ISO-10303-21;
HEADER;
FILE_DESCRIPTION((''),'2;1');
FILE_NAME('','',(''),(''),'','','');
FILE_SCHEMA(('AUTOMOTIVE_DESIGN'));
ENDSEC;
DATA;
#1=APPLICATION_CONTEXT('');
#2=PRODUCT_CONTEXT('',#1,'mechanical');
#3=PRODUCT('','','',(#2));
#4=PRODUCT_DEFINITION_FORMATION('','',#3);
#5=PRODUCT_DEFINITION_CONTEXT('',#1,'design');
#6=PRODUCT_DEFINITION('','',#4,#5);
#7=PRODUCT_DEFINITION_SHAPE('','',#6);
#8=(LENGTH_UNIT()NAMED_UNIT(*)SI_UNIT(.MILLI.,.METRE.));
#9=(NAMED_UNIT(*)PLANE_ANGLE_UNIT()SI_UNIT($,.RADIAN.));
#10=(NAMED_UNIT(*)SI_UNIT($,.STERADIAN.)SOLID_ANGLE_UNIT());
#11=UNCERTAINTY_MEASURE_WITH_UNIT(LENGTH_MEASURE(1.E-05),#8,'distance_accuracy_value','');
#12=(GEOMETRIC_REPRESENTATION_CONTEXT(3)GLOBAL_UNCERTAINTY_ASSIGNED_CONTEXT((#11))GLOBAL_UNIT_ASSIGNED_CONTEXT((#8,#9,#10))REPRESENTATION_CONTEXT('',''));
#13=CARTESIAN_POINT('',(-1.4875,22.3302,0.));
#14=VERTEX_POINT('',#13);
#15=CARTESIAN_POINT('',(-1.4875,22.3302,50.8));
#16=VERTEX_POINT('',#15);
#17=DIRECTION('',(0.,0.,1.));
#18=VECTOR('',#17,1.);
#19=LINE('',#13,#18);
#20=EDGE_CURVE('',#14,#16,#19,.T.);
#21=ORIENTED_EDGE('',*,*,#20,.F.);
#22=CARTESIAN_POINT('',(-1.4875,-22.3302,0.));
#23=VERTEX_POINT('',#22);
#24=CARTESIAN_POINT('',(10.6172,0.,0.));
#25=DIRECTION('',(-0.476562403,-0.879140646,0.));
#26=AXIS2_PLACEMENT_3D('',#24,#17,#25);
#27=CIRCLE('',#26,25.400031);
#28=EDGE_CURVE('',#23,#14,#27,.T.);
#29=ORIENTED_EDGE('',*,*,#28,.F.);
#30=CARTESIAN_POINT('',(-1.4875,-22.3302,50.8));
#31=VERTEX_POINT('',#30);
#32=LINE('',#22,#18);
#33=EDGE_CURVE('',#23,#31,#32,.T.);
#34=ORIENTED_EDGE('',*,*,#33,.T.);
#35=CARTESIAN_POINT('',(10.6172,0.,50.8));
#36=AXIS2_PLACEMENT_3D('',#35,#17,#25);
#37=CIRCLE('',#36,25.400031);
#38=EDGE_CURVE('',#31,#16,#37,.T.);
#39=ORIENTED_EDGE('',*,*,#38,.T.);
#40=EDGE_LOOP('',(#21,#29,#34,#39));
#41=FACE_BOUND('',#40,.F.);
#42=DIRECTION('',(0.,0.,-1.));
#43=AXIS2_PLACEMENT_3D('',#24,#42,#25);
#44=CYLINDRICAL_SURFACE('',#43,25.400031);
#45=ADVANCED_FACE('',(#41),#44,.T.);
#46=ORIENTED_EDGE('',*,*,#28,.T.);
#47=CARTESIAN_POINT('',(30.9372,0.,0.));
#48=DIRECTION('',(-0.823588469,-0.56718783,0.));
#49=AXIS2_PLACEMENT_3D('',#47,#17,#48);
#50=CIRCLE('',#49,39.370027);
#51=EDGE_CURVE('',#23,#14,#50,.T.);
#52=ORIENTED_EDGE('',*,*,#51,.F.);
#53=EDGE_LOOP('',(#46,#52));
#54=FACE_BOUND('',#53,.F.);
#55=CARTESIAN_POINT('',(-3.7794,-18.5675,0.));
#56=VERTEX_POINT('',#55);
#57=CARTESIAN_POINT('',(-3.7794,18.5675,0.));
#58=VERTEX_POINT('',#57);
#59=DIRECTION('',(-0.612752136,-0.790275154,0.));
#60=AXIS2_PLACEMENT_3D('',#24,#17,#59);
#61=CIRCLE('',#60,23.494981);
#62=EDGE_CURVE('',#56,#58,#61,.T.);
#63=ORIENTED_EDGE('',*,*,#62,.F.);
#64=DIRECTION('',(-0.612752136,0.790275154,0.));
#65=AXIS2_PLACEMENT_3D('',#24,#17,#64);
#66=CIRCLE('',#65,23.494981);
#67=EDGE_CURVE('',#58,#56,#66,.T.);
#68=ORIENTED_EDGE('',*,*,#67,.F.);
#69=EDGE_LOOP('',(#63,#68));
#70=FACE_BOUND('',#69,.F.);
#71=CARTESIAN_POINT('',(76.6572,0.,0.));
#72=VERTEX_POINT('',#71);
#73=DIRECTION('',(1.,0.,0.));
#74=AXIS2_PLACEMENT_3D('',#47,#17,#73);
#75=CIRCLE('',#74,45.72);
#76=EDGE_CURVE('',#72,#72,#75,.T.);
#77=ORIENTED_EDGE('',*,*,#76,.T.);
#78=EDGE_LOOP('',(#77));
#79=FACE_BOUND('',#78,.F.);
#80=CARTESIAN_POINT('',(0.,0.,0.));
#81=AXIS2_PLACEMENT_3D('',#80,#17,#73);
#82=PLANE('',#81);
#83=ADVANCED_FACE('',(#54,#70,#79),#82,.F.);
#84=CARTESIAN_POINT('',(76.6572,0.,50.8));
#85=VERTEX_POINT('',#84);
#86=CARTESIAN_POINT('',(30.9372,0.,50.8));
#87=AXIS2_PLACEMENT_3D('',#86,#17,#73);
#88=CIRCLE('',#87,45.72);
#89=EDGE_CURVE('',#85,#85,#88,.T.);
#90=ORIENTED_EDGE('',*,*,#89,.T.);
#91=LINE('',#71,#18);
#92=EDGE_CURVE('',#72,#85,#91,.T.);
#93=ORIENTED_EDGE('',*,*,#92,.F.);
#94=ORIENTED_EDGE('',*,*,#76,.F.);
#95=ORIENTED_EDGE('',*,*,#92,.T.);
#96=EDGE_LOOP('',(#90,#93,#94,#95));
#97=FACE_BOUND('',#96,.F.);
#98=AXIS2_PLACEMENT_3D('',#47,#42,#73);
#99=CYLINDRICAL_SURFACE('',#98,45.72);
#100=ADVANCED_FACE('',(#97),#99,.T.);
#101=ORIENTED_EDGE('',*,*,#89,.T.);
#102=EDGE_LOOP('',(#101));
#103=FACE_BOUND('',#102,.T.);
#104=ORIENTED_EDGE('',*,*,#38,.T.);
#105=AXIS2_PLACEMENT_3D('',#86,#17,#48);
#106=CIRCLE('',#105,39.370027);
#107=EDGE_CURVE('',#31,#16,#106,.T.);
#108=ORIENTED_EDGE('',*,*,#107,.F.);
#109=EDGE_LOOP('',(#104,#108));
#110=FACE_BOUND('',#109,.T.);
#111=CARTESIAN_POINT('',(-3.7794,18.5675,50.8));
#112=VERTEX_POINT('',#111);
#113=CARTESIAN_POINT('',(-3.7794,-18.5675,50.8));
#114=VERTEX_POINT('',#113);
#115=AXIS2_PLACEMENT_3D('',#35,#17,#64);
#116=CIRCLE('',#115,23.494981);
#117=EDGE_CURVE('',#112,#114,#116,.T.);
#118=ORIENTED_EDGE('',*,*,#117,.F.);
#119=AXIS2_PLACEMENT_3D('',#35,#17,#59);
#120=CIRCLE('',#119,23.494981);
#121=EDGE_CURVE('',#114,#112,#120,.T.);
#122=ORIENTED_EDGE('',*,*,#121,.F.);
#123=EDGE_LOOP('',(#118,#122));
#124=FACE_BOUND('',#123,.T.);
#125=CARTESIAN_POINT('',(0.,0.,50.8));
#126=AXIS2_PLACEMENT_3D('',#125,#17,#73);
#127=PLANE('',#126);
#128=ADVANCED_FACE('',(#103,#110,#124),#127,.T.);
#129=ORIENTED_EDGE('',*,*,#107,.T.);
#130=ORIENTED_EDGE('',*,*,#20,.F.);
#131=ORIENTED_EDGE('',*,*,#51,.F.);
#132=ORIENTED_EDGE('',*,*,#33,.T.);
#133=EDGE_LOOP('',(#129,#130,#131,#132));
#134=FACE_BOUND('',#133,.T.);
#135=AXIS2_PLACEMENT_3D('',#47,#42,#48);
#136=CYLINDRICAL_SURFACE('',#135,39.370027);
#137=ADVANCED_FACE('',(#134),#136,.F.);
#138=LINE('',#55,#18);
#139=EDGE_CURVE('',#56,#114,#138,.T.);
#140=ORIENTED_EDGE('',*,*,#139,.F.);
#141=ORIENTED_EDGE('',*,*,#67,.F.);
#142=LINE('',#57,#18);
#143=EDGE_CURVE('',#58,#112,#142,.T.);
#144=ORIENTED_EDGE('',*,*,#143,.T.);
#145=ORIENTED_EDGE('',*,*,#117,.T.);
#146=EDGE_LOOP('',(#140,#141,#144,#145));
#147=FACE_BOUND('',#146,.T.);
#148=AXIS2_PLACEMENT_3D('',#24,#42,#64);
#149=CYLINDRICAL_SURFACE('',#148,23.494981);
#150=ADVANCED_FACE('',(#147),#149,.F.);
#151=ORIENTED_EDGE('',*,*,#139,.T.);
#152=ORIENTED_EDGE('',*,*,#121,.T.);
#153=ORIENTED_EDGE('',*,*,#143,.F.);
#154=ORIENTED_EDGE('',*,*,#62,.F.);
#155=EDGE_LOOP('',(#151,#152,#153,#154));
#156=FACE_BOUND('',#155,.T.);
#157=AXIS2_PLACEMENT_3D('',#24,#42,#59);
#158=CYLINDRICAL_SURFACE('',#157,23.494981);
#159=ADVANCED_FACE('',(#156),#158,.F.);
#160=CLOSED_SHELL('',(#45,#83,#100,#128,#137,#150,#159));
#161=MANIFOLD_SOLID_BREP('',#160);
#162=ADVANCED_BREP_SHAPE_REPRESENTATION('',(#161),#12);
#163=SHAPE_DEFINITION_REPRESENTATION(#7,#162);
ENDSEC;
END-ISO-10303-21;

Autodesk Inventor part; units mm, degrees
ref_plane "YZ Plane" through (0, 0, 0) normal (1, 0, 0) x (0, 1, 0)
ref_plane "XZ Plane" through (0, 0, 0) normal (0, 1, 0) x (-1, 0, 0)
ref_plane "XY Plane" through (0, 0, 0) normal (0, 0, 1) x (1, 0, 0)
sketch "Sketch1" plane through (0, 0, 0) normal (0, 0, 1) x (1, 0, 0)
  line L0 (-6.35, 0) -> (-14.7828, 0) construction
  line L1 (0, 0) -> (30.9372, 0) construction
  circle A0 centre (30.9372, 0) radius 45.72
  line L2 (-14.7828, 0) -> (10.6172, 0) construction
  arc A1 (-1.4875, -22.3302) -> (-1.4875, 22.3302) centre (10.6172, 0) ccw
  arc A2 (-3.7794, -18.5675) -> (-3.7794, 18.5675) centre (10.6172, 0) ccw
  arc A3 (-1.4875, -22.3302) -> (-1.4875, 22.3302) centre (30.9372, 0) ccw
  arc A4 (-3.7794, 18.5675) -> (-3.7794, -18.5675) centre (10.6172, 0) ccw
  dimension "d1" = 8.4328
  dimension "d2" = 30.9372
  dimension "d6" = 25.4
  dimension "d7" = 46.99
extrude "Extrusion1" add sketch "Sketch1" along normal blind 50.8
properties part number "RO mark final"
